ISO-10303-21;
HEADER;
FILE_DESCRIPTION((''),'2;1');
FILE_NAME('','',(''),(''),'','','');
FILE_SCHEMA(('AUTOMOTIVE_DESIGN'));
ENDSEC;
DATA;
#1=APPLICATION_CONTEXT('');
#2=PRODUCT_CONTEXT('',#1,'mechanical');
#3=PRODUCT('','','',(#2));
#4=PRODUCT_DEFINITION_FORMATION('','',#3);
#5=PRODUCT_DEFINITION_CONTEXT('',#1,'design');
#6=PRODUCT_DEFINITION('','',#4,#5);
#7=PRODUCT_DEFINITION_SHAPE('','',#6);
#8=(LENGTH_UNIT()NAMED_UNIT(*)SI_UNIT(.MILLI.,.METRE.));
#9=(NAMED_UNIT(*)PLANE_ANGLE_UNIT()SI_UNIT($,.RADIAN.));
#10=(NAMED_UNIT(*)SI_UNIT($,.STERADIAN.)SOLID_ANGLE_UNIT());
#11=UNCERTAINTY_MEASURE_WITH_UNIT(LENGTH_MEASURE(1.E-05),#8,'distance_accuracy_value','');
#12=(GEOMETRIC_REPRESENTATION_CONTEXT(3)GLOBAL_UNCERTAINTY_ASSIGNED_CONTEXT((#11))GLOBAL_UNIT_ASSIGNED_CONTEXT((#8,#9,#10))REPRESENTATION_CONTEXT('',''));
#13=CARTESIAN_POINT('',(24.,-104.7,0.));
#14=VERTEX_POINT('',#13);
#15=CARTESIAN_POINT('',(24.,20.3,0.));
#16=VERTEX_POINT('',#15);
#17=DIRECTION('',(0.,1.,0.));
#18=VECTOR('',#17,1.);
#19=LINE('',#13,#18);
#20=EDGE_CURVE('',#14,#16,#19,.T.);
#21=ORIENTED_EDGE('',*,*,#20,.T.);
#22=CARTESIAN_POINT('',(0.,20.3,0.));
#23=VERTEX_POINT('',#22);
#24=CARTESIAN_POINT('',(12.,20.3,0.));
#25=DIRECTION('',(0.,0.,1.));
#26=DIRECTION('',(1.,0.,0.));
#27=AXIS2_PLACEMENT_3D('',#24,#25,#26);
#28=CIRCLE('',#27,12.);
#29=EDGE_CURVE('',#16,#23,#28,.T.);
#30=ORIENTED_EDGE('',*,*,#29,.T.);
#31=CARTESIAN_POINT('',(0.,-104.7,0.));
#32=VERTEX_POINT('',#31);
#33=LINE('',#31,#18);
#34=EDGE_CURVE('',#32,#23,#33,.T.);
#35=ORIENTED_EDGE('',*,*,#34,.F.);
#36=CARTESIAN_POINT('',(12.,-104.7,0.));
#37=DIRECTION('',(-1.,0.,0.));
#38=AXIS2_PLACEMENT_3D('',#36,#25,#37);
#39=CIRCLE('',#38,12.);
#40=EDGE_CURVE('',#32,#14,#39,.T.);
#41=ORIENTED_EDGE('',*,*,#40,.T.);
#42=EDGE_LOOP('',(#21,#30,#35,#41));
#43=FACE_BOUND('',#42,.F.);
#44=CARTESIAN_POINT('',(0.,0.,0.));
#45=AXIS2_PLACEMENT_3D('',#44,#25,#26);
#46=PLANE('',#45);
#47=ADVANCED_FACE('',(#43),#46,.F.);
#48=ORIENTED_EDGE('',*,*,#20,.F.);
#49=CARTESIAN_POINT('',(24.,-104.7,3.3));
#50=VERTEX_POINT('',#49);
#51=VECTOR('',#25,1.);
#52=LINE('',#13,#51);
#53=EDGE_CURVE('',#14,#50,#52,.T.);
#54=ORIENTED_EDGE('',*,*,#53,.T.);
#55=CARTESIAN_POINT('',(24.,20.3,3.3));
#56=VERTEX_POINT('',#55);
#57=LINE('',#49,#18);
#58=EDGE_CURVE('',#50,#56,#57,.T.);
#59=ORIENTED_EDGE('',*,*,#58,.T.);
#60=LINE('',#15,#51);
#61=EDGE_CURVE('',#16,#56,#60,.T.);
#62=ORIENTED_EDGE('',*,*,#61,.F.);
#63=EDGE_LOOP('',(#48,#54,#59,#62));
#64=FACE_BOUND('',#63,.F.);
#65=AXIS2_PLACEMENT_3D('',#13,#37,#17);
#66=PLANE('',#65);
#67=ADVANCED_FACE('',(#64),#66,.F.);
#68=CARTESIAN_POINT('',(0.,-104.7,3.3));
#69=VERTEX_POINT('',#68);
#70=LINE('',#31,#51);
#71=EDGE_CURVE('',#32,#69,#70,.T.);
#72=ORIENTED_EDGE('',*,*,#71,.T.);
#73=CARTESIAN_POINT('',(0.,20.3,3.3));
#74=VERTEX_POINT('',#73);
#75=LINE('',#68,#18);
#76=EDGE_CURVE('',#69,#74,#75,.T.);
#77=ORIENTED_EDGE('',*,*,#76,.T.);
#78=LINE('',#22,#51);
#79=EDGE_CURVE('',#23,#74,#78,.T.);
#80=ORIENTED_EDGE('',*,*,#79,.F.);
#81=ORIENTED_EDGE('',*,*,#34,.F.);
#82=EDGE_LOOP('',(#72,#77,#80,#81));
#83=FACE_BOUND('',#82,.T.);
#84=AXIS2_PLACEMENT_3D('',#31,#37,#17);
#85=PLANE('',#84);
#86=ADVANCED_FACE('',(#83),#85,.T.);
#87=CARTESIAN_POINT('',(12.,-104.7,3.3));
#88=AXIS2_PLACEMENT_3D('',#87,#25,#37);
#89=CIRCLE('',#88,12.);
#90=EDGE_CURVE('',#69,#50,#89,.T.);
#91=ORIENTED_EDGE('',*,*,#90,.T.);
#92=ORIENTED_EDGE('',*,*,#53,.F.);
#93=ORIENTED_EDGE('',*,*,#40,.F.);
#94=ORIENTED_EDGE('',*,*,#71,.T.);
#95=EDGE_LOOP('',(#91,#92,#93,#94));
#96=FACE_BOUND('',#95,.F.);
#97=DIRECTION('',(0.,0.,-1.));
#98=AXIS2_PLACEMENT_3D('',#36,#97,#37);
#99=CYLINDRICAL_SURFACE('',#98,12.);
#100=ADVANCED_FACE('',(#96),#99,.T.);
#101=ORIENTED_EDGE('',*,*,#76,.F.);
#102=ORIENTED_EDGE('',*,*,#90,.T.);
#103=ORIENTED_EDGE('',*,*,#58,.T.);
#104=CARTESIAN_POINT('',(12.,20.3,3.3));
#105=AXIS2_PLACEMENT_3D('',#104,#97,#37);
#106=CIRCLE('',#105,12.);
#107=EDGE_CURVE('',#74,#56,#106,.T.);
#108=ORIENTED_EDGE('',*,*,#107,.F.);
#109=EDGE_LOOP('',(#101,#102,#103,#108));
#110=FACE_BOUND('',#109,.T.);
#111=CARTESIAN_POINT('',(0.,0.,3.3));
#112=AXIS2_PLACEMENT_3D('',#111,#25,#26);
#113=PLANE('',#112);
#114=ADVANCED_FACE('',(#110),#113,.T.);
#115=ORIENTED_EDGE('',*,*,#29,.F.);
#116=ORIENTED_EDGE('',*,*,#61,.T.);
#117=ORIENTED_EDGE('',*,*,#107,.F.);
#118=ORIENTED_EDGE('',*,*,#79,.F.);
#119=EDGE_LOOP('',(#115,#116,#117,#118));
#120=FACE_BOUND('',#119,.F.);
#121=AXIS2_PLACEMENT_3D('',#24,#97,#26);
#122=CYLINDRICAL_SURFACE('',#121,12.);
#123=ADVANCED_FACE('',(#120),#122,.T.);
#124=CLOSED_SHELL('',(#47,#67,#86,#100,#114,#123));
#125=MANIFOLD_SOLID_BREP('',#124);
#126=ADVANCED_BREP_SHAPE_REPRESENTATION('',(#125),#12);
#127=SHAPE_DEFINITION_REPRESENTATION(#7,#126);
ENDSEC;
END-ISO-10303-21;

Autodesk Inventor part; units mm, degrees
ref_plane "YZ Plane" through (0, 0, 0) normal (1, 0, 0) x (0, 1, 0)
ref_plane "XZ Plane" through (0, 0, 0) normal (0, 1, 0) x (-1, 0, 0)
ref_plane "XY Plane" through (0, 0, 0) normal (0, 0, 1) x (1, 0, 0)
ref_plane "Work Plane1" through (0, 0, 0) normal (0, 0, 1) x (1, 0, 0)
sketch "Sketch1" plane through (0, 0, 0) normal (0, 0, 1) x (1, 0, 0)
  line L0 (22.5, 14) -> (1.5, 14) projected
  line L1 (22.5, 56) -> (22.5, 14) projected
  line L2 (1.5, 56) -> (22.5, 56) projected
  line L3 (1.5, 14) -> (1.5, 56) projected
  line L4 (12, -3.3703) -> (12, 20.3) construction
  line L5 (12, 20.3) -> (1.5, 20.3) construction
  arc A0 (0, -104.7) -> (24, -104.7) centre (12, -104.7) ccw
  line L6 (0, -104.7) -> (0, 20.3)
  line L7 (24, -104.7) -> (24, 20.3)
  arc A1 (24, 20.3) -> (0, 20.3) centre (12, 20.3) ccw
  point P0 (0, 0)
  point P1 (1.5, 26.1095)
  point P2 (22.5, 26.1095)
  dimension "d2" = 10.5
  dimension "d4" = 6.3
  dimension "d6" = 24
extrude "Extrusion1" add sketch "Sketch1" along normal blind 3.3 contours L1 A1 L7 A0 L6 L3 L0 | L0 L3 A1 L1
properties part number "Brazo1"
